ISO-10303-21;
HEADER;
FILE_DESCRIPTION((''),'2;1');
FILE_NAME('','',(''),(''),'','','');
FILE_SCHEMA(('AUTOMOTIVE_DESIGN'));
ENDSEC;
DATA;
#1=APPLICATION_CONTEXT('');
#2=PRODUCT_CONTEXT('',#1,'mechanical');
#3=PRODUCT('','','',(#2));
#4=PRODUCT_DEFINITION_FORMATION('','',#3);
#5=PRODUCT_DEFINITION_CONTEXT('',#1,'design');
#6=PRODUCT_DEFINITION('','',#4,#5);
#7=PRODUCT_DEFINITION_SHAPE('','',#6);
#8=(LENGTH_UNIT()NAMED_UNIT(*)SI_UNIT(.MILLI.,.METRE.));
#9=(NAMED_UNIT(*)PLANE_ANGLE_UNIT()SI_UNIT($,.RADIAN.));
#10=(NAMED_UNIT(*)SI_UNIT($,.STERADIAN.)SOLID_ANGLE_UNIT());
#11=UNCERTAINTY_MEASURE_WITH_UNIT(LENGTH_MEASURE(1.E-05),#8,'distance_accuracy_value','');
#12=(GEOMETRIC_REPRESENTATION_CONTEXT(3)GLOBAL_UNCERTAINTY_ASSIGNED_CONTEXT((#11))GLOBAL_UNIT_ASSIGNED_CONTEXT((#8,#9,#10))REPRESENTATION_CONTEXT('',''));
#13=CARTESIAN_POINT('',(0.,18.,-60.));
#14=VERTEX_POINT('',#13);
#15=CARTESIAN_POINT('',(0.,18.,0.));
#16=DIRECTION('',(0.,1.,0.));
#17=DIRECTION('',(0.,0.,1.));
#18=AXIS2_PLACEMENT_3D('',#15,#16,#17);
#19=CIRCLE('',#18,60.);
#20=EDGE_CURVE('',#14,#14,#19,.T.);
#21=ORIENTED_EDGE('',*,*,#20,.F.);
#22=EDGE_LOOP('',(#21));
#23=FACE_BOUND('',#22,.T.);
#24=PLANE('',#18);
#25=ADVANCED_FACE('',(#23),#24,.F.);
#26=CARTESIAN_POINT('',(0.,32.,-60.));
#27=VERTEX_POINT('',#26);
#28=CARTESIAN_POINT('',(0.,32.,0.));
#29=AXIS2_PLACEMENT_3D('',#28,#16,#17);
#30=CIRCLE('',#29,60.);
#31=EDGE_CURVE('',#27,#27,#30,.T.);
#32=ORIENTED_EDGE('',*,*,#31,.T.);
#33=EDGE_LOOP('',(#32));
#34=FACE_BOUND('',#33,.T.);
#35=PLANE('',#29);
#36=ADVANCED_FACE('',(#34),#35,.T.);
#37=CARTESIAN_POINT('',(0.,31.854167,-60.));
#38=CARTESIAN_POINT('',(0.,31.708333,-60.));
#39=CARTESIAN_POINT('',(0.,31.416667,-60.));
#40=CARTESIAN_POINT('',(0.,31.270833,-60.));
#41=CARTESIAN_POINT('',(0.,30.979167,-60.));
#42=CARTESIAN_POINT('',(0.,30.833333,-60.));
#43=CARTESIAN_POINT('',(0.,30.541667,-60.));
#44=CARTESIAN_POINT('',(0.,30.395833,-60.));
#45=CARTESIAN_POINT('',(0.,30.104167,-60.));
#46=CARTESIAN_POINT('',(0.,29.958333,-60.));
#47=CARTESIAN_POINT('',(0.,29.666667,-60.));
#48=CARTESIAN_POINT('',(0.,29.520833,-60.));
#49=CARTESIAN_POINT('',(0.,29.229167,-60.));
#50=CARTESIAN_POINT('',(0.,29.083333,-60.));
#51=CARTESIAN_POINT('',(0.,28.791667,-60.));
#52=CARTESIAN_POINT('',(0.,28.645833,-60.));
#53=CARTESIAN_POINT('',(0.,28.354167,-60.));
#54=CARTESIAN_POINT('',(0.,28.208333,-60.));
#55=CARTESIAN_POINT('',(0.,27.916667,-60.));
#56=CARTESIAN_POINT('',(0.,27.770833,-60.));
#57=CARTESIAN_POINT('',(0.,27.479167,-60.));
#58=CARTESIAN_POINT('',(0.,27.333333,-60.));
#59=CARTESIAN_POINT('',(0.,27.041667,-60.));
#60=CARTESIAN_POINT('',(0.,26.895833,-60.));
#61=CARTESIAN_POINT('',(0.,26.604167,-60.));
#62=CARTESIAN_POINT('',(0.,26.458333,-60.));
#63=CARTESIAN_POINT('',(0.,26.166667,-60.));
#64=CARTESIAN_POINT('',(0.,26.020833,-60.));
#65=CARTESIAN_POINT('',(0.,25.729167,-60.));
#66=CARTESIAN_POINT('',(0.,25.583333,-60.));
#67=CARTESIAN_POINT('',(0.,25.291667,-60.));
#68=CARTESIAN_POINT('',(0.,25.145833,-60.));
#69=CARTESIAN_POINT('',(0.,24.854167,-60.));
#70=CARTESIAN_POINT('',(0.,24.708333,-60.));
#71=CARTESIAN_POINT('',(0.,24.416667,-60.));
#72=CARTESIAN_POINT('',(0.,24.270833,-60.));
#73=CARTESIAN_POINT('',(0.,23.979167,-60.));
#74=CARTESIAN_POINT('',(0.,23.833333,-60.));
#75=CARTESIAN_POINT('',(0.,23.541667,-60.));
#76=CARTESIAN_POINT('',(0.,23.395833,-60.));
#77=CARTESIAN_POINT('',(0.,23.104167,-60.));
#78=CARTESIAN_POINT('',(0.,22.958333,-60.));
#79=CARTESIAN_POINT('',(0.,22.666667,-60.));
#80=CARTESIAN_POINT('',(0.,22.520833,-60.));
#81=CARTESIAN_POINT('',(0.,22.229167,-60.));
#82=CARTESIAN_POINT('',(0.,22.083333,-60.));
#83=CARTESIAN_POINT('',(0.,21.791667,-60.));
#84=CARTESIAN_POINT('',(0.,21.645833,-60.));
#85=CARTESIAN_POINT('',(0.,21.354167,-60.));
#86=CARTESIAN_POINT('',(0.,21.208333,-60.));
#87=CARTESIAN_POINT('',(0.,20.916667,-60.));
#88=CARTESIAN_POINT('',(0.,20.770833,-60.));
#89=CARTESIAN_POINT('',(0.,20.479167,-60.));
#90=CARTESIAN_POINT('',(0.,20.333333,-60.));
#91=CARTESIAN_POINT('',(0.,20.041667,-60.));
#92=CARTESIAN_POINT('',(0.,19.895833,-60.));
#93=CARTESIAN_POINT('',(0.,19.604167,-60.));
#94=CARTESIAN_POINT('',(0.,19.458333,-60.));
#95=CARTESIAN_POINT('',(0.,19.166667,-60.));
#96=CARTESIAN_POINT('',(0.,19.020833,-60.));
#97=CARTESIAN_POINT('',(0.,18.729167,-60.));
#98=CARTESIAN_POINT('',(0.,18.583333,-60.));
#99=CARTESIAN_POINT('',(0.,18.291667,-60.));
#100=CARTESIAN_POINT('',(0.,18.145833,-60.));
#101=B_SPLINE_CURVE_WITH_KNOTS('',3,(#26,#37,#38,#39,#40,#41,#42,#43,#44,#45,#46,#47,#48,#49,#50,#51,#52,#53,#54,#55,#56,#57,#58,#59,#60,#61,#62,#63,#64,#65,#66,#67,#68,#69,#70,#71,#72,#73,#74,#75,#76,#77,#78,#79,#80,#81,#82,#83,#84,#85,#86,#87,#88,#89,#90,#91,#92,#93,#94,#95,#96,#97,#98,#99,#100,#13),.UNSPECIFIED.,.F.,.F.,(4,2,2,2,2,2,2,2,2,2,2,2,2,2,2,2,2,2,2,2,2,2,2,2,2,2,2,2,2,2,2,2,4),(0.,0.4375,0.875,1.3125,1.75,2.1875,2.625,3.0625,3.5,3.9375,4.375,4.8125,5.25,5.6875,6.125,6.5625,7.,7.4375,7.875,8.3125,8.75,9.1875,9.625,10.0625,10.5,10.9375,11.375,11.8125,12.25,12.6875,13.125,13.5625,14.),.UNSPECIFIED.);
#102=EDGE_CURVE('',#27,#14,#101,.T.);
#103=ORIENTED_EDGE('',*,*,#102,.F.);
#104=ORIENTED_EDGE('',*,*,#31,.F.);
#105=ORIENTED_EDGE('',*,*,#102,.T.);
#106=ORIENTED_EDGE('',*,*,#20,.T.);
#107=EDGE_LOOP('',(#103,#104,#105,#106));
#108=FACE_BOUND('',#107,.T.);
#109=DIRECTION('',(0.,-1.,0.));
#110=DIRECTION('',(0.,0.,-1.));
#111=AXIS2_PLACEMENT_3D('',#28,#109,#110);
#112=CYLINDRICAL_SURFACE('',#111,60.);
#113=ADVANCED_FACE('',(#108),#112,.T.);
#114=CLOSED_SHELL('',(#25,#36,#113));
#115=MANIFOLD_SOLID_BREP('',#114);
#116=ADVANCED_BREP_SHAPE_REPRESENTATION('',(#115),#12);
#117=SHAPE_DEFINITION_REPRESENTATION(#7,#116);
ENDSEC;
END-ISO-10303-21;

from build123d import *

# Parameters (mm, degrees)
SKDISCOVINILO_R   = 60
DISCOVINILO_DEPTH = 14


with BuildPart() as part:
    # SkDiscoVinilo → DiscoVinilo (new body)
    with BuildSketch(Plane(origin=(0, 18, 0), x_dir=(1, 0, 0), z_dir=(0, 1, 0))):
        with Locations(Location((0, 0, 0), (0, 0, 90))):
            Circle(SKDISCOVINILO_R)
    extrude(amount=DISCOVINILO_DEPTH)


solid = part.part
